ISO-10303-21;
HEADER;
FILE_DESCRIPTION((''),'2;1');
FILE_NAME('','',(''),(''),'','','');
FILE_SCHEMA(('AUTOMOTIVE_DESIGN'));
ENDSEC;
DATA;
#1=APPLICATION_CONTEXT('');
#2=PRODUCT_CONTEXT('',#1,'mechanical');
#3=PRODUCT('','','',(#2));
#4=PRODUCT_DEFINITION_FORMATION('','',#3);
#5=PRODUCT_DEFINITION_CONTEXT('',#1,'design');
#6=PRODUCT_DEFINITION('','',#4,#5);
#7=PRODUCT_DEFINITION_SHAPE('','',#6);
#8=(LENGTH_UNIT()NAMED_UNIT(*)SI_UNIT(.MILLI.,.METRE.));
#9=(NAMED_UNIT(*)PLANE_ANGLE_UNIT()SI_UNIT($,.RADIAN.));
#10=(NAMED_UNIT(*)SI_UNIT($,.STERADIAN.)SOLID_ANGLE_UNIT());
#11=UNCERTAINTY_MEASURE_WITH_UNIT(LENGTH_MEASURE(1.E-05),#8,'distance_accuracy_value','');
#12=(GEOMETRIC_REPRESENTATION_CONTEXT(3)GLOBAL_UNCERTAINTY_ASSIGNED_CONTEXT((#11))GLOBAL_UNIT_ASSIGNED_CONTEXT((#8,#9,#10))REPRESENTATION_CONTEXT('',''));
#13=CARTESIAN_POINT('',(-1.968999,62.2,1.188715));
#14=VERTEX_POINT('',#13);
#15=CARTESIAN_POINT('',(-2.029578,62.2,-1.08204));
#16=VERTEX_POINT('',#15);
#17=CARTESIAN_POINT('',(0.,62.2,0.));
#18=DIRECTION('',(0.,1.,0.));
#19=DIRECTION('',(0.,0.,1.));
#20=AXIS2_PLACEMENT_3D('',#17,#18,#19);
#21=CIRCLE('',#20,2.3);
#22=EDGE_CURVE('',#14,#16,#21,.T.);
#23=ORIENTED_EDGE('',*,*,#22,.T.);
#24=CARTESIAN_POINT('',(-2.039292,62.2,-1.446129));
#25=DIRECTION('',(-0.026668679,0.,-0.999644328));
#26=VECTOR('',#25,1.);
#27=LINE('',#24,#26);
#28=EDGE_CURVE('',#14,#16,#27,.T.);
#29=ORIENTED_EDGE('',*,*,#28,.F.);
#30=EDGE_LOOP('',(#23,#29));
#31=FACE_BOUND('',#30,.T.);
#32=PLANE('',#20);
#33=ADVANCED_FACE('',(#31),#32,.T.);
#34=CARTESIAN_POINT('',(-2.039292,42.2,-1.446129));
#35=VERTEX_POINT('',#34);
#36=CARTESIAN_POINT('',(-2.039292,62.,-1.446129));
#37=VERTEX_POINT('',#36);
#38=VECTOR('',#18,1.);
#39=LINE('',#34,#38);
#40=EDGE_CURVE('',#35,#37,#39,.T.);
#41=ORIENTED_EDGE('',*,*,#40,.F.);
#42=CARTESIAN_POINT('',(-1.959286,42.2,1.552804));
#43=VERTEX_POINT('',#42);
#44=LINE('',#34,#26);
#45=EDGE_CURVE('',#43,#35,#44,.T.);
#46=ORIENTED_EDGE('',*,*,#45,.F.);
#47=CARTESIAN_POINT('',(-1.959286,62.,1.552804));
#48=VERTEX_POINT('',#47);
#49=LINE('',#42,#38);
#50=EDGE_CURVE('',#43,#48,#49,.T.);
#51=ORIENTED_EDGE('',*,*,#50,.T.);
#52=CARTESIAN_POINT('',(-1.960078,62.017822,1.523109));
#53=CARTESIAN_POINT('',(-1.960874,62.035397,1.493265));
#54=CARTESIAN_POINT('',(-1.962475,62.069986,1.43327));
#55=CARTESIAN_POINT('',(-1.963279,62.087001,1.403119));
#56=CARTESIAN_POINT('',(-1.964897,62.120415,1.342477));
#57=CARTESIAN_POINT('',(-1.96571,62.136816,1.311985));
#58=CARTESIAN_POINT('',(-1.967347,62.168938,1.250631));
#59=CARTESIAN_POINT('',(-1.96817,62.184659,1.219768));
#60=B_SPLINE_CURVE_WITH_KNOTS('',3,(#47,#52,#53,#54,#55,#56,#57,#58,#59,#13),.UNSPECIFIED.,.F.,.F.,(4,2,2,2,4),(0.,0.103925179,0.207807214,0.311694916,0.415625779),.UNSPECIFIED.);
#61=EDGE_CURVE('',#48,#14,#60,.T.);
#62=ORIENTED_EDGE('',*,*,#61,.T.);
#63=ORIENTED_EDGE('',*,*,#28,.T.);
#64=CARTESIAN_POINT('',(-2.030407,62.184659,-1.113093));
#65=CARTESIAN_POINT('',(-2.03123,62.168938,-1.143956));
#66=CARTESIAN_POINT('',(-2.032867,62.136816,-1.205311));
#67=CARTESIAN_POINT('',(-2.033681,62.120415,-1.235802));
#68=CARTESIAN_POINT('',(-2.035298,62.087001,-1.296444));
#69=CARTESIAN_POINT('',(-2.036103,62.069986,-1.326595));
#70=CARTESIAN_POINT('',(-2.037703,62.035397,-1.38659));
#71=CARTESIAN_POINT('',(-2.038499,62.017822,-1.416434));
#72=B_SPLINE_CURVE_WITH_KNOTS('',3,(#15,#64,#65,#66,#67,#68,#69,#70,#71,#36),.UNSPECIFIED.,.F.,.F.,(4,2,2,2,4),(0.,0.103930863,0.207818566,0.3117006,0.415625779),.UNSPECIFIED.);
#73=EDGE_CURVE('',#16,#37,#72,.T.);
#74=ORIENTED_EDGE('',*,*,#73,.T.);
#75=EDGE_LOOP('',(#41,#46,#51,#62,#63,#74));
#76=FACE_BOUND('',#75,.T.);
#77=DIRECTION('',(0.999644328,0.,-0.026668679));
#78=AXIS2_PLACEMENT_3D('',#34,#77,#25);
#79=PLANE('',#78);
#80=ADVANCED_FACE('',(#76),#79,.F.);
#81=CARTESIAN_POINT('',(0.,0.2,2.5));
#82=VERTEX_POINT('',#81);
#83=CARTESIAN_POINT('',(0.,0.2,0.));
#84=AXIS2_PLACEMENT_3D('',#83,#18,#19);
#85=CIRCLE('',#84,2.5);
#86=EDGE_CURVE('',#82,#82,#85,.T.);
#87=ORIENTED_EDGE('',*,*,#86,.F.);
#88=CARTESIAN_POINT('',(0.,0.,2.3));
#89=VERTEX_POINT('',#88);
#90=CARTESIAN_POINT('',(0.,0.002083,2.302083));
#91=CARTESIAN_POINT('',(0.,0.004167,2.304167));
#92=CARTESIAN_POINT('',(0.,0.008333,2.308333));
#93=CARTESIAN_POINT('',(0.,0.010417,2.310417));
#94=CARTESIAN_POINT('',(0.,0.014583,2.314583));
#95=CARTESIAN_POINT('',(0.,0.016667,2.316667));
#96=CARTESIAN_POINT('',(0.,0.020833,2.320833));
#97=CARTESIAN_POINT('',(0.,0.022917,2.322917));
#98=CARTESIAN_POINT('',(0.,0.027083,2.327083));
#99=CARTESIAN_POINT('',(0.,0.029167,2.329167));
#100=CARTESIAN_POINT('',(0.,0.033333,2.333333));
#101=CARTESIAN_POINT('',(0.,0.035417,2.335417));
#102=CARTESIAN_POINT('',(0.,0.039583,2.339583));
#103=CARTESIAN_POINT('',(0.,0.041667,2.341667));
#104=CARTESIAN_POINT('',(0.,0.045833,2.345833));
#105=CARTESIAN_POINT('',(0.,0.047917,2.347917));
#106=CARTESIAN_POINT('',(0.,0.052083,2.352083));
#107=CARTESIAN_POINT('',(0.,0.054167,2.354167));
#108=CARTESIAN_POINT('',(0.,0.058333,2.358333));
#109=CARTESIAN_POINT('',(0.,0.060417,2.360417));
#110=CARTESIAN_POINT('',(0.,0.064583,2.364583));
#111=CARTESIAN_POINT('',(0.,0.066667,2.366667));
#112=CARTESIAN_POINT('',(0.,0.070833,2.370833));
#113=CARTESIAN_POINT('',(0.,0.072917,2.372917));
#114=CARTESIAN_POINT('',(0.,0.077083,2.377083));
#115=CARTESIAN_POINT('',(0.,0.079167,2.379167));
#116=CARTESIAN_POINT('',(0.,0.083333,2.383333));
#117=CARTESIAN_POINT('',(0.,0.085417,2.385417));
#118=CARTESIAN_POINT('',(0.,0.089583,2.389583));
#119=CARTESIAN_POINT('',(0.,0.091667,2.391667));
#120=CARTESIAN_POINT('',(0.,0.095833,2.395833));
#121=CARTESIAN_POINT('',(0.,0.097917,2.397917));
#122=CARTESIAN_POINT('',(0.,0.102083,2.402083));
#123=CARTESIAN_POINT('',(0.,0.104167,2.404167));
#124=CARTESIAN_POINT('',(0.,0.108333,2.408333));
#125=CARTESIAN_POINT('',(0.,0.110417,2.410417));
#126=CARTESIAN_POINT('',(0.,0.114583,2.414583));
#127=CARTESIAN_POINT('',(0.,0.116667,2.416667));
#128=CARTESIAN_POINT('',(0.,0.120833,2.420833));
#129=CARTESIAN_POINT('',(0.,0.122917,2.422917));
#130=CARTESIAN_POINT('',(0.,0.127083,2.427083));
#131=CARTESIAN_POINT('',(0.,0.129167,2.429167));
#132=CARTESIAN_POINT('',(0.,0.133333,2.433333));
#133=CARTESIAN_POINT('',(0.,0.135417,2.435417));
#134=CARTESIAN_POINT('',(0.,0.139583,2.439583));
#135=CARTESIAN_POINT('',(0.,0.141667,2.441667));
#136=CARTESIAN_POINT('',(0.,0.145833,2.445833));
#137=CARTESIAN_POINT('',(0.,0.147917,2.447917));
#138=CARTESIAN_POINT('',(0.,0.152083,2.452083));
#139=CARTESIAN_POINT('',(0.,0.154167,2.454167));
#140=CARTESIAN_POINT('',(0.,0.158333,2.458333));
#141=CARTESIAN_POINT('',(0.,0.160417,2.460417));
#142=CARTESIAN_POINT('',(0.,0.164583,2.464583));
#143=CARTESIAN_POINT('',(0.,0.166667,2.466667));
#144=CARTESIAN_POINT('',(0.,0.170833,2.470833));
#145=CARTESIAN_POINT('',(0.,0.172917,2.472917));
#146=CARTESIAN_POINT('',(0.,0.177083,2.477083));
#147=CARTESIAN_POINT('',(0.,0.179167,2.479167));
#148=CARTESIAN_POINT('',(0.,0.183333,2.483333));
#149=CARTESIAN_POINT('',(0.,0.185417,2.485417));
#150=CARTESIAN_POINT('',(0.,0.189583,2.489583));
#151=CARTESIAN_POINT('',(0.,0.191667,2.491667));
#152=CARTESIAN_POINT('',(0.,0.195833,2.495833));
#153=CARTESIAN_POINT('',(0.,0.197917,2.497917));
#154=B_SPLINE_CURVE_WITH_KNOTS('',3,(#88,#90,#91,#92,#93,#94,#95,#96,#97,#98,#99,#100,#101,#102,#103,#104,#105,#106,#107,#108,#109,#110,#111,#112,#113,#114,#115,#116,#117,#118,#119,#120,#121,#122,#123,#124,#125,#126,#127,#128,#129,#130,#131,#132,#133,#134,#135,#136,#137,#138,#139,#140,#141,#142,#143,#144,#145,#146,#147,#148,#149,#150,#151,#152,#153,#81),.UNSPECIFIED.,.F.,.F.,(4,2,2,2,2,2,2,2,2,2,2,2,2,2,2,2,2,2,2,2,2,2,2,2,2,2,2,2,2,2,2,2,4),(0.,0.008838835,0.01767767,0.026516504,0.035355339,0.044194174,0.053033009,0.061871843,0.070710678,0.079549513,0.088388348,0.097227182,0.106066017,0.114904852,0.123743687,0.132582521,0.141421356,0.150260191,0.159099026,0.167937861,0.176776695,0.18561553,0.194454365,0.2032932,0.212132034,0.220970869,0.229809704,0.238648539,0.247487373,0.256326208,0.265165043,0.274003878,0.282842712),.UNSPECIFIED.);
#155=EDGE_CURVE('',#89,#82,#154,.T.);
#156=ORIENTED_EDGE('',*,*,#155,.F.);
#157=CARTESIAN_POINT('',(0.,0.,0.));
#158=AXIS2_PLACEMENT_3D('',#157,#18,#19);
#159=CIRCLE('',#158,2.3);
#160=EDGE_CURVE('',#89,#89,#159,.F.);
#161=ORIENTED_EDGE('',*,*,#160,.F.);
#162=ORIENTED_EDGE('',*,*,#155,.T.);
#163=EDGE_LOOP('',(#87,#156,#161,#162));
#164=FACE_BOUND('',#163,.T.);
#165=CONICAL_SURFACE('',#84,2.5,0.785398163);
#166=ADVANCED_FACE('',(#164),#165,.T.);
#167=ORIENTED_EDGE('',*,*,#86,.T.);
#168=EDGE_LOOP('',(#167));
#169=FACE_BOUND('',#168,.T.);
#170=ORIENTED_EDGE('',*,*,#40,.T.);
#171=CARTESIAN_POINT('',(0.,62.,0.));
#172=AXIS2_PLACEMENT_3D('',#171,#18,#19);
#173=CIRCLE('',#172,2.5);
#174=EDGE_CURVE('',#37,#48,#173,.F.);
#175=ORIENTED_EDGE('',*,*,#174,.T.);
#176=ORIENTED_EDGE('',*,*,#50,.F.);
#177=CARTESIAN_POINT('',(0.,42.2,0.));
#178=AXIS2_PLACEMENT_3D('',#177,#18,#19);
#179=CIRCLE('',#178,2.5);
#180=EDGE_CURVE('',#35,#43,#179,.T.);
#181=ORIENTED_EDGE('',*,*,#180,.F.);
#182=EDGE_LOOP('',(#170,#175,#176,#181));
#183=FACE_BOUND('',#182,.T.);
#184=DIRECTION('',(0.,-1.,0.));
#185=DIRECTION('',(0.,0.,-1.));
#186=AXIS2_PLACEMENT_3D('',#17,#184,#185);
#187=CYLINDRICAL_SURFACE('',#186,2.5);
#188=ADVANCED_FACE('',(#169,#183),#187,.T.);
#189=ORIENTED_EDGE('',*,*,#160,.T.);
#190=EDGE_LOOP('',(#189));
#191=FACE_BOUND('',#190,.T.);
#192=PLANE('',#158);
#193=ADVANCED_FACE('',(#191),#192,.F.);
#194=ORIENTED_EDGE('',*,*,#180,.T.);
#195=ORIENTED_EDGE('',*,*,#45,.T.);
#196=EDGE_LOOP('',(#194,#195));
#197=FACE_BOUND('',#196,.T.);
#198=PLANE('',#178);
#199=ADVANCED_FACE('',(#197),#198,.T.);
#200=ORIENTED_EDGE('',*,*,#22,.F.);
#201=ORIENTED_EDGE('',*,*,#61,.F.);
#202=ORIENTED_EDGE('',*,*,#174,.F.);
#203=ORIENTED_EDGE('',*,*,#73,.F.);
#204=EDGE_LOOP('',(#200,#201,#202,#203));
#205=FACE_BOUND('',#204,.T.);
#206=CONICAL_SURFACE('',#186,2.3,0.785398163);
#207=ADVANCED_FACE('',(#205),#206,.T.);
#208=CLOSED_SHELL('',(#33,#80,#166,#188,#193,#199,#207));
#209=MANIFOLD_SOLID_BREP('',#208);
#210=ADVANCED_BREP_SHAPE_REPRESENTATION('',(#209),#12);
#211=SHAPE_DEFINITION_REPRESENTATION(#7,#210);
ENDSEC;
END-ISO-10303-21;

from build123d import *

# Parameters (mm, degrees)
SKETCH1_R               = 2.5
BOSS_EXTRUDE1_DEPTH     = 62.2
CUT_EXTRUDE1_DEPTH      = 63.300401283
CUT_EXTRUDE1_DEPTH_BACK = 20
CHAMFER1_SIZE           = 0.2
CHAMFER2_SIZE           = 0.2


with BuildPart() as part:
    # Sketch1 → Boss-Extrude1 (new body)
    with BuildSketch(Plane(origin=(0, 0, 0), x_dir=(1, 0, 0), z_dir=(0, 1, 0))):
        with Locations(Location((0, 0, 0), (0, 0, 90))):
            Circle(SKETCH1_R)
    extrude(amount=BOSS_EXTRUDE1_DEPTH)

    # Sketch2 → Cut-Extrude1 (cut, two sides: drawn at the far end of the back side and taken through both)
    with BuildSketch(Plane(origin=(0, 62.2, 0), x_dir=(1, 0, 0), z_dir=(0, 1, 0)).offset(-CUT_EXTRUDE1_DEPTH_BACK)):
        with BuildLine():
            Line((-2.039291674, 1.446129132), (-1.959285636, -1.55280385))
            ThreePointArc((-1.959285636, -1.55280385), (-2.499110819, -0.066671699), (-2.039291674, 1.446129132))
        make_face()
    extrude(amount=CUT_EXTRUDE1_DEPTH + CUT_EXTRUDE1_DEPTH_BACK, mode=Mode.SUBTRACT)

    # Chamfer1
    chamfer1_edges = [part.edges().sort_by_distance(p)[0] for p in [
        (2.250778713, 62.2, 1.088115429),
    ]]
    chamfer(chamfer1_edges, length=CHAMFER1_SIZE)

    # Chamfer2
    chamfer2_edges = [part.edges().sort_by_distance(p)[0] for p in [
        (0, 0, 2.5),
    ]]
    chamfer(chamfer2_edges, length=CHAMFER2_SIZE)


solid = part.part
